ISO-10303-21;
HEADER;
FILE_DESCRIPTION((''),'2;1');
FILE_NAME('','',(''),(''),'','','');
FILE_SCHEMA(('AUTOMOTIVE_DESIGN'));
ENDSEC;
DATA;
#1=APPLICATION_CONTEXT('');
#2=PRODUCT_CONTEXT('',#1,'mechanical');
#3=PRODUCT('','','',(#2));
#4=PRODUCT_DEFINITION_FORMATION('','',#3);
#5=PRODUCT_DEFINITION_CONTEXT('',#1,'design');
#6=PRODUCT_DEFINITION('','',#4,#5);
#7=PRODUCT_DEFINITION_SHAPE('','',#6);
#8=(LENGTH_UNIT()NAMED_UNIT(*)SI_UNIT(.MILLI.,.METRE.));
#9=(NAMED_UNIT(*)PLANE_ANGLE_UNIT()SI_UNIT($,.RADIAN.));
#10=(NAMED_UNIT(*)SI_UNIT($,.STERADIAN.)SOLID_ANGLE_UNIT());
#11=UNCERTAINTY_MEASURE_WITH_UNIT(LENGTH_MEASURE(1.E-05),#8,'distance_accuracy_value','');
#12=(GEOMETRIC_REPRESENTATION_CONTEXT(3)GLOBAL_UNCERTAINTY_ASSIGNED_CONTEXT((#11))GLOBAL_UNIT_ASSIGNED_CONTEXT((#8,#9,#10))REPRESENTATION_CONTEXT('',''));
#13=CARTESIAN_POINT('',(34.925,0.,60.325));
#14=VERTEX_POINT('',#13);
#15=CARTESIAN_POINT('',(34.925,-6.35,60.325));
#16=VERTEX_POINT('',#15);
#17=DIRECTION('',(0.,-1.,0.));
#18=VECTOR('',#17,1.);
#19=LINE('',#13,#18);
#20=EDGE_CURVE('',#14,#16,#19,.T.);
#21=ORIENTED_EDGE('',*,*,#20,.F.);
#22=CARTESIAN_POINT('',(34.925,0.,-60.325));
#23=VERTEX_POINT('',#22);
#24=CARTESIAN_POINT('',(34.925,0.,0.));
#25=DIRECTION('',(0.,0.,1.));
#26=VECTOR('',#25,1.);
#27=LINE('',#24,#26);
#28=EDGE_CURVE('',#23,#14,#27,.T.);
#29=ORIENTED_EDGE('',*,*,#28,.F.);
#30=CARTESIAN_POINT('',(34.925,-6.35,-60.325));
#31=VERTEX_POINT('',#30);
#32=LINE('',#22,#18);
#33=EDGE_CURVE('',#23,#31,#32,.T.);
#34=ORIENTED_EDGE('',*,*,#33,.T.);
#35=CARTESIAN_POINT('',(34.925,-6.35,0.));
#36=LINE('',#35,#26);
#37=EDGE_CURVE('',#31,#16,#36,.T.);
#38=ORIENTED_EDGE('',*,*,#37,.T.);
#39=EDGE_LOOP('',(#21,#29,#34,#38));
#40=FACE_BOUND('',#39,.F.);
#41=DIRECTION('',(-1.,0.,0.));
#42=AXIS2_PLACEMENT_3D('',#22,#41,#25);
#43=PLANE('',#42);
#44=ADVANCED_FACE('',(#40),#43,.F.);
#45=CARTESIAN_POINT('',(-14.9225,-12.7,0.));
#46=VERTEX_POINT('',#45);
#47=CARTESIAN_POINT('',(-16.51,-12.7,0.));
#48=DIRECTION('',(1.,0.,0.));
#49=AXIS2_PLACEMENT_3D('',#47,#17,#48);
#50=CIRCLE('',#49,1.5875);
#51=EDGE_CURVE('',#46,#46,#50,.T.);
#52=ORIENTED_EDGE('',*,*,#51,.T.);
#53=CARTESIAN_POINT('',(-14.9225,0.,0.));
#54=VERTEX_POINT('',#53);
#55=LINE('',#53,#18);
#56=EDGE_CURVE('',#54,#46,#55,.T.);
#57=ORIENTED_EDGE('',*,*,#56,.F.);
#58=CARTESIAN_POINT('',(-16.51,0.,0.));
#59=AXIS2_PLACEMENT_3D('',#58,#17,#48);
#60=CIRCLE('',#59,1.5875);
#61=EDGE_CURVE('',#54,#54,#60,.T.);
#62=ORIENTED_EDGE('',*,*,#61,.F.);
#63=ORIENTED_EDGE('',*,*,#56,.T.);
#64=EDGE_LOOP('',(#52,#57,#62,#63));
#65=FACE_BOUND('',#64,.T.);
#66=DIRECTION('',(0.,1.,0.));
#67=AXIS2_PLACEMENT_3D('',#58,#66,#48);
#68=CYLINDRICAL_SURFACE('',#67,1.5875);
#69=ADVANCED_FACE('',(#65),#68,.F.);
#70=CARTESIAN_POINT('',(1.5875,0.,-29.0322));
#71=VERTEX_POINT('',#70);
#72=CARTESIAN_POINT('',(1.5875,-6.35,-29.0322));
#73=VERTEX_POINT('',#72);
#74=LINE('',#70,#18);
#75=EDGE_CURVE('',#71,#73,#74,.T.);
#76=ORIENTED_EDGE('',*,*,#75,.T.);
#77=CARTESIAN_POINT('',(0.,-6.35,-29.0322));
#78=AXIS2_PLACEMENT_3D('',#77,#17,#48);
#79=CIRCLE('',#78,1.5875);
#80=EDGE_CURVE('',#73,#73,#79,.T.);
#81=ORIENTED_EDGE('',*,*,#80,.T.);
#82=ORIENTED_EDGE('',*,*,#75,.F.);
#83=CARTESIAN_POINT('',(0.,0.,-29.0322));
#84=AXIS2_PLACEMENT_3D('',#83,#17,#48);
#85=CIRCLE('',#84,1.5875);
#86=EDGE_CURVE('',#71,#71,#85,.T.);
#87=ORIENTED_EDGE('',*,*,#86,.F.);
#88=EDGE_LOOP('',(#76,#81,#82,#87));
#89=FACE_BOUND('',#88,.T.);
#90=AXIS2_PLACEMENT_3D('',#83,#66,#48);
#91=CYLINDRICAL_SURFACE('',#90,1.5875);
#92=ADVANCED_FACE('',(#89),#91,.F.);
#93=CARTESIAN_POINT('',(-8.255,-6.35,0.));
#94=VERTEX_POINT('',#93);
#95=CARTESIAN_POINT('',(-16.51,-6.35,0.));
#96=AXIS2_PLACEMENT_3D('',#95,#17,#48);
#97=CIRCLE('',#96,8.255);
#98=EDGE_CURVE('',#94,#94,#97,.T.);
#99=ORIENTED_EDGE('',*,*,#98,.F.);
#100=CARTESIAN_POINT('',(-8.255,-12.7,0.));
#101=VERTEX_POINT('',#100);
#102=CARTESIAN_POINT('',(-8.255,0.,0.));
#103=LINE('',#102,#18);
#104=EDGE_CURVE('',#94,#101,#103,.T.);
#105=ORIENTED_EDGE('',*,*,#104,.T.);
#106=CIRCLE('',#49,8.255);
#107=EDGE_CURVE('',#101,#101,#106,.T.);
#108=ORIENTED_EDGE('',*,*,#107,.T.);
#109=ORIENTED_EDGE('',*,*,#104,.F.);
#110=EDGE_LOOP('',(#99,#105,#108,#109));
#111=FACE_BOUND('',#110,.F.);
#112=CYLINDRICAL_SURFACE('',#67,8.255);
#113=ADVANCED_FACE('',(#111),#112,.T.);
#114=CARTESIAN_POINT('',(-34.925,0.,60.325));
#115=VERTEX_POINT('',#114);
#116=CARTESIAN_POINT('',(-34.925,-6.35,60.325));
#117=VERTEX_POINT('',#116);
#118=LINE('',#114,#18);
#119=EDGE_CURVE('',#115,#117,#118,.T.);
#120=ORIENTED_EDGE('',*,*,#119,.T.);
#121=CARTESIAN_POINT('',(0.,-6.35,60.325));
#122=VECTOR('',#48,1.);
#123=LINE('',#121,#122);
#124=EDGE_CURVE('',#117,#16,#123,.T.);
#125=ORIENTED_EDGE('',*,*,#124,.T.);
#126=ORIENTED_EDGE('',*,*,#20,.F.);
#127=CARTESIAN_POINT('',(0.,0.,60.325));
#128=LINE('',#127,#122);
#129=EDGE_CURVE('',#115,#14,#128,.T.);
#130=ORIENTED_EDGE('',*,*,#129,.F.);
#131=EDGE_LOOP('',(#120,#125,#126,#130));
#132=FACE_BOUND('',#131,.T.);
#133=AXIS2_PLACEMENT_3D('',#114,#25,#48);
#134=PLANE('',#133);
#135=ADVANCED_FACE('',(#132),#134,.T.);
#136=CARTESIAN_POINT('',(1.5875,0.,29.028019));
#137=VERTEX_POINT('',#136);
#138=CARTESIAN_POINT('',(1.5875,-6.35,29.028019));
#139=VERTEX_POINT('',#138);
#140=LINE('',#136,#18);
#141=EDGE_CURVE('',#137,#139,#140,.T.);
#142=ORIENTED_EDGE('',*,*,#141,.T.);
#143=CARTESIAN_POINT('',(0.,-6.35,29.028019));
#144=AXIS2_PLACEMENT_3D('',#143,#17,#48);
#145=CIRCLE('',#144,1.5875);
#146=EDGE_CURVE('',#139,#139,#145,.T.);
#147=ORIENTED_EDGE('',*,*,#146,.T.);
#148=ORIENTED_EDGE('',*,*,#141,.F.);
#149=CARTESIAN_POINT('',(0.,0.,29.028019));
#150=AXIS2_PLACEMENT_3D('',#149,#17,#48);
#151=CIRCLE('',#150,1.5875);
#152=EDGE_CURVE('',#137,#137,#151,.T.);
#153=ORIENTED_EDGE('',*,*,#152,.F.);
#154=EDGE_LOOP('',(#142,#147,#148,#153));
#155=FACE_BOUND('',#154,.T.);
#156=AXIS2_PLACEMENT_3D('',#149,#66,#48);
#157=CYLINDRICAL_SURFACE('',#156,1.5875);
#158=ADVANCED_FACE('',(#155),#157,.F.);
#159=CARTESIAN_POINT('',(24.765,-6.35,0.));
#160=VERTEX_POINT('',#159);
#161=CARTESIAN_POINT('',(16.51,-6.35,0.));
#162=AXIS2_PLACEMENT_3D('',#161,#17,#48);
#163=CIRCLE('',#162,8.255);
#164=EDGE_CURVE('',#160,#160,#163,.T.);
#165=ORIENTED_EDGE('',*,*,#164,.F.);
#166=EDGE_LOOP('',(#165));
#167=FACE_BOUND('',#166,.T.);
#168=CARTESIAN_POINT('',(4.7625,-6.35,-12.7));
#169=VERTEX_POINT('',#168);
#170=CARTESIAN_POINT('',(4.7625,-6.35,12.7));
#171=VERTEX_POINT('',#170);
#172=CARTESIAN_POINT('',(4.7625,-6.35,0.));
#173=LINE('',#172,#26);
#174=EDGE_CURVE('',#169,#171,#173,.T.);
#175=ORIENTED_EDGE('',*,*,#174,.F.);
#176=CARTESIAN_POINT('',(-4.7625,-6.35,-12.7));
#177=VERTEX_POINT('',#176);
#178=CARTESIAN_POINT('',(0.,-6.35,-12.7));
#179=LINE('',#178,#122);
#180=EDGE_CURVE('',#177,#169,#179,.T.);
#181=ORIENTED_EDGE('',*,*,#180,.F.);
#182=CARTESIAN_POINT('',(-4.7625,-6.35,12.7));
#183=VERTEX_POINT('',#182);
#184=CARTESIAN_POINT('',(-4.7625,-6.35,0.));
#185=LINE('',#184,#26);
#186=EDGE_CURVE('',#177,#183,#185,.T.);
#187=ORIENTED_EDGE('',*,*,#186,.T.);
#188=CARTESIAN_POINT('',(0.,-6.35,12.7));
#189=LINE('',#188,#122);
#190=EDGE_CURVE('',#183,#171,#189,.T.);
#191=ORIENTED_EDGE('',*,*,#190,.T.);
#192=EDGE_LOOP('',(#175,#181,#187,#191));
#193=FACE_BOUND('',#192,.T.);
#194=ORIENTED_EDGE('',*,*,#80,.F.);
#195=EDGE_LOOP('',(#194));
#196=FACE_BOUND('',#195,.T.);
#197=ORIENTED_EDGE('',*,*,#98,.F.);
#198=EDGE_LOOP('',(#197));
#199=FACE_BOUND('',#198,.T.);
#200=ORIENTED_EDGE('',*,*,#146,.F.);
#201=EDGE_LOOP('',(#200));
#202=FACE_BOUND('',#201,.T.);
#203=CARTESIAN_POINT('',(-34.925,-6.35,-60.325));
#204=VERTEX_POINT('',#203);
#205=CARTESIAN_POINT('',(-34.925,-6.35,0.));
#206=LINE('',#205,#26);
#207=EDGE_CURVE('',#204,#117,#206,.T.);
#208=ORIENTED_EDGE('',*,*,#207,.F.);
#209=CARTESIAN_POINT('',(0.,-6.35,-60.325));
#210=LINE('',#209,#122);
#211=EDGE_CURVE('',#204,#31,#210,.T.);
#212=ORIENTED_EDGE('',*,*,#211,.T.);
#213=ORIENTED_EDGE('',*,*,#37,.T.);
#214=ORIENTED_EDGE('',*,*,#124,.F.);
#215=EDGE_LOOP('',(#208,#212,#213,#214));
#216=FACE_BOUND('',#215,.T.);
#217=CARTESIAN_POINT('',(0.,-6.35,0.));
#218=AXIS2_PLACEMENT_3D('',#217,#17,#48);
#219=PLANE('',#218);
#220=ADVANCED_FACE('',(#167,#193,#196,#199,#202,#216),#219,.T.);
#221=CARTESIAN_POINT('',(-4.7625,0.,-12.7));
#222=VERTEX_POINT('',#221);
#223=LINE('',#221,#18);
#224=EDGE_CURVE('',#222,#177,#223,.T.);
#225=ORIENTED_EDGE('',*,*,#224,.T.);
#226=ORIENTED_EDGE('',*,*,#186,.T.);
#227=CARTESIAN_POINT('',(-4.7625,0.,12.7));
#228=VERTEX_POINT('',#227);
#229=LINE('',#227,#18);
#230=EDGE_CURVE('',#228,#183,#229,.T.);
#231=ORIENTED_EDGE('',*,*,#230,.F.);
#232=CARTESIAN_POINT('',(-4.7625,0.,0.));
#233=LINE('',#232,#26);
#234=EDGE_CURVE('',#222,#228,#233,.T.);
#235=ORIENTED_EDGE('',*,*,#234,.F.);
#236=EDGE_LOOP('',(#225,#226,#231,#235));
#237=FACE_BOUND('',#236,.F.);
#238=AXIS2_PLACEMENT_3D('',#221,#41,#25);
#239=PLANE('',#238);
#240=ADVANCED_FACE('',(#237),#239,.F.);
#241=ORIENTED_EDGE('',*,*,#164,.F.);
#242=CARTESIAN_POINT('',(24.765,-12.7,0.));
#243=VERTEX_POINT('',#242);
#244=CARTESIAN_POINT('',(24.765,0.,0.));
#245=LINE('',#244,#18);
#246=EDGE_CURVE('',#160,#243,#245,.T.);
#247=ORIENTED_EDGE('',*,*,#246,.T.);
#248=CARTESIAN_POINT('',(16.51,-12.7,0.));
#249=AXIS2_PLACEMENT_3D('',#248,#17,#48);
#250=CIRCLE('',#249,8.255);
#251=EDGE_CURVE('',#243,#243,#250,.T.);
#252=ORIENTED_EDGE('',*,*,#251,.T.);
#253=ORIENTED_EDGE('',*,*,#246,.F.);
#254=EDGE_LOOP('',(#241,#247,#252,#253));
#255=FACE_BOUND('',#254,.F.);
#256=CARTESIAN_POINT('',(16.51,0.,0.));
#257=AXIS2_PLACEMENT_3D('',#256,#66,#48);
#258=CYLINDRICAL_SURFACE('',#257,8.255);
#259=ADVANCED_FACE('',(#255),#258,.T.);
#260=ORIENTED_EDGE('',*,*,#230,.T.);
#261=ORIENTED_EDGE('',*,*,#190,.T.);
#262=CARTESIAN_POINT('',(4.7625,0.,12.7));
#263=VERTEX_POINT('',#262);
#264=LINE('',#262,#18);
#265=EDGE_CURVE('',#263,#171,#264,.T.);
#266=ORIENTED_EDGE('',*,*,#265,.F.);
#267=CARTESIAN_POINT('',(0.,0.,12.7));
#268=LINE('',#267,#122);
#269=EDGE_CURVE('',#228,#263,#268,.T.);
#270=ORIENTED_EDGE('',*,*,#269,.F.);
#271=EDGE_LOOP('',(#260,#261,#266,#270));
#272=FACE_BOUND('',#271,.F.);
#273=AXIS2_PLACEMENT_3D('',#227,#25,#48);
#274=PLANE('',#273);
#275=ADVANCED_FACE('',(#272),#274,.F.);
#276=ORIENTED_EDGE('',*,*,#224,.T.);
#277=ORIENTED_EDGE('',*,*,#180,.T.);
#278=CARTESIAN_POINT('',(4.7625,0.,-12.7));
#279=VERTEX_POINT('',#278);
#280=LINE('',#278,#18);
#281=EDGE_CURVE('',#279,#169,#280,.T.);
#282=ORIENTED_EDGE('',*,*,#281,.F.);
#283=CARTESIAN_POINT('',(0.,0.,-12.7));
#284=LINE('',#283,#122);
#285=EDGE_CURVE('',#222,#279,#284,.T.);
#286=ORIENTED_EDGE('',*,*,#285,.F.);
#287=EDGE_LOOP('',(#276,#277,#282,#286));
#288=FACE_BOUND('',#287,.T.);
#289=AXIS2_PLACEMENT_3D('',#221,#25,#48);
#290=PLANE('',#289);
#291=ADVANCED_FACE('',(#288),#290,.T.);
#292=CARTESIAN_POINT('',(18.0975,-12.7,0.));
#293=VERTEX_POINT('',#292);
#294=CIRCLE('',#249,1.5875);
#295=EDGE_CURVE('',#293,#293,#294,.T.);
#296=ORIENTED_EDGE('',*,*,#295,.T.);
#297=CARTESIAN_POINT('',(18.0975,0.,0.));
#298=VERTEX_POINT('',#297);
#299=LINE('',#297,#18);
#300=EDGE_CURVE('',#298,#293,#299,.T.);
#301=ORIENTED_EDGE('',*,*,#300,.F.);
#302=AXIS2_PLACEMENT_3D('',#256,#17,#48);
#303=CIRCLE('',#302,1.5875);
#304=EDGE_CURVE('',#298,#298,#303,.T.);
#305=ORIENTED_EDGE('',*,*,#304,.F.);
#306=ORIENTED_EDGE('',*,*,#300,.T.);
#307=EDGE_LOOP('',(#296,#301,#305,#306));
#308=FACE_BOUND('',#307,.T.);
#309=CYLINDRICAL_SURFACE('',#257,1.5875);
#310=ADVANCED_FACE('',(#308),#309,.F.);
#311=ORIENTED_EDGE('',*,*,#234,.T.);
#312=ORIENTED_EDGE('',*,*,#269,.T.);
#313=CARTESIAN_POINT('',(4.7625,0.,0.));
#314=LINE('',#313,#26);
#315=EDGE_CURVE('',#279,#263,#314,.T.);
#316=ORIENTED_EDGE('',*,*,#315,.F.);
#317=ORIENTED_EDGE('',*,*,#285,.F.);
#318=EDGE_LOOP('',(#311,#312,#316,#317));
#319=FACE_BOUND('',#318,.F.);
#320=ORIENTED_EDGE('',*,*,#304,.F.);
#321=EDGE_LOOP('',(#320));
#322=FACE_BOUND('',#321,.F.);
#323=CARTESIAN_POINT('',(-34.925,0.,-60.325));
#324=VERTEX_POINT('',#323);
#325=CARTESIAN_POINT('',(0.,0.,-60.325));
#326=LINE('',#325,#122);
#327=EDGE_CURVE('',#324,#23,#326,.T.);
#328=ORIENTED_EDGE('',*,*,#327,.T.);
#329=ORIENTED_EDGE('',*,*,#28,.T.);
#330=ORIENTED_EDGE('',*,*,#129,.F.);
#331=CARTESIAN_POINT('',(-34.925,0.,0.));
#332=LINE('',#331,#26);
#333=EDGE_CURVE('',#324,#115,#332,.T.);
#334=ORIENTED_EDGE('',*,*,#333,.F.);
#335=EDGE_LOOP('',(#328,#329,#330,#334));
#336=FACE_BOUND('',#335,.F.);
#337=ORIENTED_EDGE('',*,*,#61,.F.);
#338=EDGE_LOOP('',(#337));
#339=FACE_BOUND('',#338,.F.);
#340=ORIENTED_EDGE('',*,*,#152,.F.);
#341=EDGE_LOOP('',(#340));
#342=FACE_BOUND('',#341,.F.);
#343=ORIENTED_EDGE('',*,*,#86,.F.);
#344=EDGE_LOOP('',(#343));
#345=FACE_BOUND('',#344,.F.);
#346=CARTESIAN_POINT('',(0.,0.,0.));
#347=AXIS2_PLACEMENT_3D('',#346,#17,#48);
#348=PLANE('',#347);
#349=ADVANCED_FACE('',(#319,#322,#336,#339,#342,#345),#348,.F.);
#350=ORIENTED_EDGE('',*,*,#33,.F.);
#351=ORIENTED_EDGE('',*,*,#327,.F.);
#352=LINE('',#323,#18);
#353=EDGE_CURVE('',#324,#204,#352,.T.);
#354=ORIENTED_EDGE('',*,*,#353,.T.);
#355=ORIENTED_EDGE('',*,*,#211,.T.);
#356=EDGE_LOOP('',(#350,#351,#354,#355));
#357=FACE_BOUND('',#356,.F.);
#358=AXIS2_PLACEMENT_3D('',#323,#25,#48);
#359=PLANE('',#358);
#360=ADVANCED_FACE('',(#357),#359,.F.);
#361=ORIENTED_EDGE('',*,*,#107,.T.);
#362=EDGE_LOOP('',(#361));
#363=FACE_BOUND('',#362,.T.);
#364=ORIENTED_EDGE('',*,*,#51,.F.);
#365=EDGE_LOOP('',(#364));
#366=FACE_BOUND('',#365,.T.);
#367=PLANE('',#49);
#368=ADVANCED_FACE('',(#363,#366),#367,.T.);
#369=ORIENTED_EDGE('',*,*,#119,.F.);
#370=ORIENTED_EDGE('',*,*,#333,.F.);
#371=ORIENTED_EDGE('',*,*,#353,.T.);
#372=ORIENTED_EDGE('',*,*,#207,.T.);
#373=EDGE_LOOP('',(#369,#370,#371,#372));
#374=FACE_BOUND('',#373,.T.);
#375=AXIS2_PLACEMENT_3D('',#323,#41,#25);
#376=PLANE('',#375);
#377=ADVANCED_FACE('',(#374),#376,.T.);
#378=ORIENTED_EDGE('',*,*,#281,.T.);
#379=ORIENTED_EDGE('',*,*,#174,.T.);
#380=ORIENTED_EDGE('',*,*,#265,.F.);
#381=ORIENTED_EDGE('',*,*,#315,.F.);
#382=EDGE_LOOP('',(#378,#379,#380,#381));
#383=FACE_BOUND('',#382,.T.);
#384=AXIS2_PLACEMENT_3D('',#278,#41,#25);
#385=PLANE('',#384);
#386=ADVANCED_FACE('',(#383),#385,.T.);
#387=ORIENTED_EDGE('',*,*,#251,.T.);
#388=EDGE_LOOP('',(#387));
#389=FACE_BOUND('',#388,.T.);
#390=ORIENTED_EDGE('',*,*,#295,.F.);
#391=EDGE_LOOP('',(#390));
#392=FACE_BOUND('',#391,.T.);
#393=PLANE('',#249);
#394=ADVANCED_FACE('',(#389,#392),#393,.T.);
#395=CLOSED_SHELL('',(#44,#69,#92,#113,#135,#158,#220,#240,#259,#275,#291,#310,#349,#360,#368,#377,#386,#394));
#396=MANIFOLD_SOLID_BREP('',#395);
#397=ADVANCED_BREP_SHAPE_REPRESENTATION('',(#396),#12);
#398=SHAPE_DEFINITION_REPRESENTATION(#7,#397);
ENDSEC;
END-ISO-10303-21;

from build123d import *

# Parameters (mm, degrees)
F0_W     = 69.85
F0_H     = 120.65
F0_R     = 1.5875
F0_R_2   = 8.255
F0_W_2   = 9.525
F0_H_2   = 25.4
F1_DEPTH = 6.35
F2_DEPTH = 12.7
F3_DEPTH = 12.7


with BuildPart() as f1:
    # F0 (on Front) → F1 (new body)
    with BuildSketch(Plane.XZ):
        Rectangle(F0_W, F0_H)
        with Locations((0, -29.0322)):
            Circle(F0_R, mode=Mode.SUBTRACT)
        with Locations((-16.51, 0)):
            Circle(F0_R_2, mode=Mode.SUBTRACT)
        Rectangle(F0_W_2, F0_H_2, mode=Mode.SUBTRACT)
        with Locations((16.51, 0)):
            Circle(F0_R_2, mode=Mode.SUBTRACT)
        with Locations((0, 29.028019)):
            Circle(F0_R, mode=Mode.SUBTRACT)
    extrude(amount=F1_DEPTH)

    # F0 (on Front) → F2 (join)
    with BuildSketch(Plane.XZ):
        with Locations((-16.51, 0)):
            Circle(F0_R_2)
        with Locations((-16.51, 0)):
            Circle(F0_R, mode=Mode.SUBTRACT)
    extrude(amount=F2_DEPTH)

    # F0 (on Front) → F3 (join)
    with BuildSketch(Plane.XZ):
        with Locations((16.51, 0)):
            Circle(F0_R_2)
        with Locations((16.51, 0)):
            Circle(F0_R, mode=Mode.SUBTRACT)
    extrude(amount=F3_DEPTH)


solid = f1.part
